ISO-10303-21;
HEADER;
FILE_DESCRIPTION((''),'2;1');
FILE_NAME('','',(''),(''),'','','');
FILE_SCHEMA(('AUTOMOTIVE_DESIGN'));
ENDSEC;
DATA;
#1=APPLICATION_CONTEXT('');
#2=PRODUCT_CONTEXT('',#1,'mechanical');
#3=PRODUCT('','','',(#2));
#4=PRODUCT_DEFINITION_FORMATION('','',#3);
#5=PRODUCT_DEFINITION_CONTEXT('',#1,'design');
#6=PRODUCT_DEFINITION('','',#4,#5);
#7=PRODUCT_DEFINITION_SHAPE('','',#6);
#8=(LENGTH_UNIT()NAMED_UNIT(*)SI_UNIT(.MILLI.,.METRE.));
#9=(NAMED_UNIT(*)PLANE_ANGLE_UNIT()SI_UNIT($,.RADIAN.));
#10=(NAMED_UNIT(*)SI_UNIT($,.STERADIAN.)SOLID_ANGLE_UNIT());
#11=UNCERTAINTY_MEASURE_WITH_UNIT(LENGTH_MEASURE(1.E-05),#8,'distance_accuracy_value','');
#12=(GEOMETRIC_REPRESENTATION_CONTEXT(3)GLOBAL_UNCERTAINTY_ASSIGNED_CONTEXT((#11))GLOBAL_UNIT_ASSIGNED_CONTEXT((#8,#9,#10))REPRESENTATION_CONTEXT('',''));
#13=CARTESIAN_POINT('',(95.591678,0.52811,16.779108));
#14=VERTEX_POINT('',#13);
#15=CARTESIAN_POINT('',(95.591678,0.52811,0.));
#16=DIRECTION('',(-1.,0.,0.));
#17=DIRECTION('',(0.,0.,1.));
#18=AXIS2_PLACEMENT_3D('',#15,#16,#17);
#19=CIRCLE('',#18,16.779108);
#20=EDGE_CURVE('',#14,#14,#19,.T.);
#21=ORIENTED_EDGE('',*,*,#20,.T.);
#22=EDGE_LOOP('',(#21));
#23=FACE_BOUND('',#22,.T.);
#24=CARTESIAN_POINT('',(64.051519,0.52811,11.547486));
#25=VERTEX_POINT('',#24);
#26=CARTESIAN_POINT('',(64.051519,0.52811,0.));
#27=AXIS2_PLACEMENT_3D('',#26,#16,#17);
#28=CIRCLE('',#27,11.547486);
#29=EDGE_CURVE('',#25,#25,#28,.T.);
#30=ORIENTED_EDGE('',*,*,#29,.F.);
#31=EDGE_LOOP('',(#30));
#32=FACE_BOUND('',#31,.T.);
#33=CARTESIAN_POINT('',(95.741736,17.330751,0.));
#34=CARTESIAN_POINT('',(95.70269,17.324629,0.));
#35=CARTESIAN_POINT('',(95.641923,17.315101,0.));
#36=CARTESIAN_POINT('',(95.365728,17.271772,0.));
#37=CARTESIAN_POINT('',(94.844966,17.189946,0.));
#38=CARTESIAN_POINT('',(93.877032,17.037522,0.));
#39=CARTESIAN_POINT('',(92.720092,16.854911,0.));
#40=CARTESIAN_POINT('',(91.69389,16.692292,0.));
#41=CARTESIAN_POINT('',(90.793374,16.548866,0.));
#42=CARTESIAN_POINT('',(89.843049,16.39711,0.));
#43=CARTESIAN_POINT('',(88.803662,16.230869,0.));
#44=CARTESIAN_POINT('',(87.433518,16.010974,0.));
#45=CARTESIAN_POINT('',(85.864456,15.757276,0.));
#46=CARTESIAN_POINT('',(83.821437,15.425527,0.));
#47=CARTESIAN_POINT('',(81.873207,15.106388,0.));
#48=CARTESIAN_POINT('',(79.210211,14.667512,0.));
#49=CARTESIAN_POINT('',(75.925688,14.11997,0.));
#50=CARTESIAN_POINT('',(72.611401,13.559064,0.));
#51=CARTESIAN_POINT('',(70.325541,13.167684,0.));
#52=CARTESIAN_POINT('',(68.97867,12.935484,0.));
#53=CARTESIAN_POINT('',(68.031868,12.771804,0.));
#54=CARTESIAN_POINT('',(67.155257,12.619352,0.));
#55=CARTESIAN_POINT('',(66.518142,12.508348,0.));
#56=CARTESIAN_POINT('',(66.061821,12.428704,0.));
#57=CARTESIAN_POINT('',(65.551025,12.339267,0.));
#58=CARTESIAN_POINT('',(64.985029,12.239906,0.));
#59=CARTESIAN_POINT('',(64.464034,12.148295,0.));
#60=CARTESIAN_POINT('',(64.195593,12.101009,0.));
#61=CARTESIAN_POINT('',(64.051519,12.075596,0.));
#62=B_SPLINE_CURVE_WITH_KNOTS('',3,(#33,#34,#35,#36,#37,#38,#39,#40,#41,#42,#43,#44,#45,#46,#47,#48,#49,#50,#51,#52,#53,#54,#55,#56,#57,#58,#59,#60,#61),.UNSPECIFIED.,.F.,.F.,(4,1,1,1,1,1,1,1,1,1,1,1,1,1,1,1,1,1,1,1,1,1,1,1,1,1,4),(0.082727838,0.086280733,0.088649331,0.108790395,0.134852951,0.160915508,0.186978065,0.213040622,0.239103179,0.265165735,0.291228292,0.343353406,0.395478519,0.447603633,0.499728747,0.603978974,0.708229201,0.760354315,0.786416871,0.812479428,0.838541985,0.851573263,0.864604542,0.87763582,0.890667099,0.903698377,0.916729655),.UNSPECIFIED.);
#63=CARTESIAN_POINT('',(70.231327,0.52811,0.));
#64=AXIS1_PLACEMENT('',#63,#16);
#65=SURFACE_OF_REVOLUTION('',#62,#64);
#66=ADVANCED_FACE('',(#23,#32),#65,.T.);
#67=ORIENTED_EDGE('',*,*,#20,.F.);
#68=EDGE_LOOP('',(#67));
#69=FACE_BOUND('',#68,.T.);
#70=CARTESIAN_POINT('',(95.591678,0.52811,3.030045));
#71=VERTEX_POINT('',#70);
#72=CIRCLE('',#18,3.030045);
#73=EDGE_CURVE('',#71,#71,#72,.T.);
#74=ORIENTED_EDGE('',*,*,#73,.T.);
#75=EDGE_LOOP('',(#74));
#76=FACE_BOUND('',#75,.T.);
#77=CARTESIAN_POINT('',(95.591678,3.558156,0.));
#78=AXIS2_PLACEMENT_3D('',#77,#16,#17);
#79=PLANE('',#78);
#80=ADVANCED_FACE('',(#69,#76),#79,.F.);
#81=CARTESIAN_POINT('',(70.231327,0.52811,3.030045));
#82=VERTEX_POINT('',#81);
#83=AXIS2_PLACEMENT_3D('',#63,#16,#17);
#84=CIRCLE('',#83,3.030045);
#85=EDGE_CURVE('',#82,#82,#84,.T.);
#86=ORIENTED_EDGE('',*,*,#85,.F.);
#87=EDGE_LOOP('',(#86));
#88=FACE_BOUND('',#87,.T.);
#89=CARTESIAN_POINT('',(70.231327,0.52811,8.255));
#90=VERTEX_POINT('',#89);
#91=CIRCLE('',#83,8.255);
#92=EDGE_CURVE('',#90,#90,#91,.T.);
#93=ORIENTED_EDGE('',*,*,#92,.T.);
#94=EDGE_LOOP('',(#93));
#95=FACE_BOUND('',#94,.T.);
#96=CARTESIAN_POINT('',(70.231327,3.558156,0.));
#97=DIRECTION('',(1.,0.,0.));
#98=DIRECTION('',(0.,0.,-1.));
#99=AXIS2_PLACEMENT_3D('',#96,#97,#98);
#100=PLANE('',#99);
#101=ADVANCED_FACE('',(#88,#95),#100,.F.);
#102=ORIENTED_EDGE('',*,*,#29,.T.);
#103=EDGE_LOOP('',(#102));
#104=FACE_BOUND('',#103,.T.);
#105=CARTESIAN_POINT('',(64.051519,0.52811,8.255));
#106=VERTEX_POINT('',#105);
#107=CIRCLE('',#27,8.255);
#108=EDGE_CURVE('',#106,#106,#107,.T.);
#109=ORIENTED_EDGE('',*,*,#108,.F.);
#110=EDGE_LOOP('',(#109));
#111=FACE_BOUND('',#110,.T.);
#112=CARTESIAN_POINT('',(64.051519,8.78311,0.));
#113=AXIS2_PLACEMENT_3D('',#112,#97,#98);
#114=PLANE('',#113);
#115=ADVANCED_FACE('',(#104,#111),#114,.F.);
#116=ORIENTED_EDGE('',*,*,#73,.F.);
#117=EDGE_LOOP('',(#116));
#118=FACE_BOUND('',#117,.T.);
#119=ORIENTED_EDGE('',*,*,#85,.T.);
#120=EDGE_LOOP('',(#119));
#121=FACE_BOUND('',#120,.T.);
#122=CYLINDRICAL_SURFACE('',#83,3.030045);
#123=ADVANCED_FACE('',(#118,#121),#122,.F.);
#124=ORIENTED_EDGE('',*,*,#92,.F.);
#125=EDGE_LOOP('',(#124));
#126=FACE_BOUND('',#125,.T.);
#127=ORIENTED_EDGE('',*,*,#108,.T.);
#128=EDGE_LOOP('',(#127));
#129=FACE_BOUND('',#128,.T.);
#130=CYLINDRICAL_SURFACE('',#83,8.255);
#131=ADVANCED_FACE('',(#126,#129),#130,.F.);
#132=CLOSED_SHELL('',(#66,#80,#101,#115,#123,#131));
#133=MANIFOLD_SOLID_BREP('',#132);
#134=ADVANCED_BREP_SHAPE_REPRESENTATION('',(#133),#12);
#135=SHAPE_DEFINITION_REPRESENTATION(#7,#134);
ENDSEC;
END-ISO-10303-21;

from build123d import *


with BuildPart() as part:
    # Sketch2 → Revolve1 (revolve)
    with BuildSketch(Plane.XY, mode=Mode.PRIVATE) as revolve1_sk:
        with BuildLine():
            Line((70.231327088, 3.558155589), (95.591677722, 3.558155589))
            Line((95.591677722, 3.558155589), (95.591677722, 17.307218034))
            add(Edge.make_bspline(
                [(64.051519302, 12.075596108), (64.19559288, 12.10100902), (64.464034266, 12.148295145), (64.985029002, 12.239906434), (65.551024878, 12.339266712), (66.061821421, 12.428704203), (66.518141568, 12.508347713), (67.155256609, 12.619352346), (68.031868037, 12.771804084), (68.978670443, 12.935484436), (70.325541488, 13.167684248), (72.61140148, 13.55906412), (75.925687977, 14.11996965), (79.210210587, 14.667512424), (81.873206861, 15.106387733), (83.821437235, 15.425527172), (85.864455581, 15.757276493), (87.433518438, 16.010974196), (88.803662234, 16.230869018), (89.843048676, 16.397110425), (90.793373859, 16.548866137), (91.693889578, 16.69229188), (92.720091917, 16.854910727), (93.877032143, 17.037521525), (94.844966023, 17.189946197), (95.35303026, 17.26977688), (95.579163073, 17.305254778), (95.591677722, 17.307218034)],
                knots=[0.082727838, 0.082727838, 0.082727838, 0.082727838, 0.095759116, 0.108790395, 0.121821673, 0.134852951, 0.14788423, 0.160915508, 0.186978065, 0.213040622, 0.239103179, 0.291228292, 0.395478519, 0.499728747, 0.55185386, 0.603978974, 0.656104087, 0.708229201, 0.734291758, 0.760354315, 0.786416871, 0.812479428, 0.838541985, 0.864604542, 0.890667099, 0.910808163, 0.911992461, 0.911992461, 0.911992461, 0.911992461], degree=3))
            Line((64.051519302, 12.075596108), (64.051519302, 8.783110106))
            Line((64.051519302, 8.783110106), (70.231327088, 8.783110106))
            Line((70.231327088, 8.783110106), (70.231327088, 3.558155589))
        make_face()
    revolve(revolve1_sk.sketch.rotate(Axis((70.231327088, 0.528110106, 0), (1, 0, 0)), 90), axis=Axis((70.231327088, 0.528110106, 0), (1, 0, 0)))


solid = part.part
